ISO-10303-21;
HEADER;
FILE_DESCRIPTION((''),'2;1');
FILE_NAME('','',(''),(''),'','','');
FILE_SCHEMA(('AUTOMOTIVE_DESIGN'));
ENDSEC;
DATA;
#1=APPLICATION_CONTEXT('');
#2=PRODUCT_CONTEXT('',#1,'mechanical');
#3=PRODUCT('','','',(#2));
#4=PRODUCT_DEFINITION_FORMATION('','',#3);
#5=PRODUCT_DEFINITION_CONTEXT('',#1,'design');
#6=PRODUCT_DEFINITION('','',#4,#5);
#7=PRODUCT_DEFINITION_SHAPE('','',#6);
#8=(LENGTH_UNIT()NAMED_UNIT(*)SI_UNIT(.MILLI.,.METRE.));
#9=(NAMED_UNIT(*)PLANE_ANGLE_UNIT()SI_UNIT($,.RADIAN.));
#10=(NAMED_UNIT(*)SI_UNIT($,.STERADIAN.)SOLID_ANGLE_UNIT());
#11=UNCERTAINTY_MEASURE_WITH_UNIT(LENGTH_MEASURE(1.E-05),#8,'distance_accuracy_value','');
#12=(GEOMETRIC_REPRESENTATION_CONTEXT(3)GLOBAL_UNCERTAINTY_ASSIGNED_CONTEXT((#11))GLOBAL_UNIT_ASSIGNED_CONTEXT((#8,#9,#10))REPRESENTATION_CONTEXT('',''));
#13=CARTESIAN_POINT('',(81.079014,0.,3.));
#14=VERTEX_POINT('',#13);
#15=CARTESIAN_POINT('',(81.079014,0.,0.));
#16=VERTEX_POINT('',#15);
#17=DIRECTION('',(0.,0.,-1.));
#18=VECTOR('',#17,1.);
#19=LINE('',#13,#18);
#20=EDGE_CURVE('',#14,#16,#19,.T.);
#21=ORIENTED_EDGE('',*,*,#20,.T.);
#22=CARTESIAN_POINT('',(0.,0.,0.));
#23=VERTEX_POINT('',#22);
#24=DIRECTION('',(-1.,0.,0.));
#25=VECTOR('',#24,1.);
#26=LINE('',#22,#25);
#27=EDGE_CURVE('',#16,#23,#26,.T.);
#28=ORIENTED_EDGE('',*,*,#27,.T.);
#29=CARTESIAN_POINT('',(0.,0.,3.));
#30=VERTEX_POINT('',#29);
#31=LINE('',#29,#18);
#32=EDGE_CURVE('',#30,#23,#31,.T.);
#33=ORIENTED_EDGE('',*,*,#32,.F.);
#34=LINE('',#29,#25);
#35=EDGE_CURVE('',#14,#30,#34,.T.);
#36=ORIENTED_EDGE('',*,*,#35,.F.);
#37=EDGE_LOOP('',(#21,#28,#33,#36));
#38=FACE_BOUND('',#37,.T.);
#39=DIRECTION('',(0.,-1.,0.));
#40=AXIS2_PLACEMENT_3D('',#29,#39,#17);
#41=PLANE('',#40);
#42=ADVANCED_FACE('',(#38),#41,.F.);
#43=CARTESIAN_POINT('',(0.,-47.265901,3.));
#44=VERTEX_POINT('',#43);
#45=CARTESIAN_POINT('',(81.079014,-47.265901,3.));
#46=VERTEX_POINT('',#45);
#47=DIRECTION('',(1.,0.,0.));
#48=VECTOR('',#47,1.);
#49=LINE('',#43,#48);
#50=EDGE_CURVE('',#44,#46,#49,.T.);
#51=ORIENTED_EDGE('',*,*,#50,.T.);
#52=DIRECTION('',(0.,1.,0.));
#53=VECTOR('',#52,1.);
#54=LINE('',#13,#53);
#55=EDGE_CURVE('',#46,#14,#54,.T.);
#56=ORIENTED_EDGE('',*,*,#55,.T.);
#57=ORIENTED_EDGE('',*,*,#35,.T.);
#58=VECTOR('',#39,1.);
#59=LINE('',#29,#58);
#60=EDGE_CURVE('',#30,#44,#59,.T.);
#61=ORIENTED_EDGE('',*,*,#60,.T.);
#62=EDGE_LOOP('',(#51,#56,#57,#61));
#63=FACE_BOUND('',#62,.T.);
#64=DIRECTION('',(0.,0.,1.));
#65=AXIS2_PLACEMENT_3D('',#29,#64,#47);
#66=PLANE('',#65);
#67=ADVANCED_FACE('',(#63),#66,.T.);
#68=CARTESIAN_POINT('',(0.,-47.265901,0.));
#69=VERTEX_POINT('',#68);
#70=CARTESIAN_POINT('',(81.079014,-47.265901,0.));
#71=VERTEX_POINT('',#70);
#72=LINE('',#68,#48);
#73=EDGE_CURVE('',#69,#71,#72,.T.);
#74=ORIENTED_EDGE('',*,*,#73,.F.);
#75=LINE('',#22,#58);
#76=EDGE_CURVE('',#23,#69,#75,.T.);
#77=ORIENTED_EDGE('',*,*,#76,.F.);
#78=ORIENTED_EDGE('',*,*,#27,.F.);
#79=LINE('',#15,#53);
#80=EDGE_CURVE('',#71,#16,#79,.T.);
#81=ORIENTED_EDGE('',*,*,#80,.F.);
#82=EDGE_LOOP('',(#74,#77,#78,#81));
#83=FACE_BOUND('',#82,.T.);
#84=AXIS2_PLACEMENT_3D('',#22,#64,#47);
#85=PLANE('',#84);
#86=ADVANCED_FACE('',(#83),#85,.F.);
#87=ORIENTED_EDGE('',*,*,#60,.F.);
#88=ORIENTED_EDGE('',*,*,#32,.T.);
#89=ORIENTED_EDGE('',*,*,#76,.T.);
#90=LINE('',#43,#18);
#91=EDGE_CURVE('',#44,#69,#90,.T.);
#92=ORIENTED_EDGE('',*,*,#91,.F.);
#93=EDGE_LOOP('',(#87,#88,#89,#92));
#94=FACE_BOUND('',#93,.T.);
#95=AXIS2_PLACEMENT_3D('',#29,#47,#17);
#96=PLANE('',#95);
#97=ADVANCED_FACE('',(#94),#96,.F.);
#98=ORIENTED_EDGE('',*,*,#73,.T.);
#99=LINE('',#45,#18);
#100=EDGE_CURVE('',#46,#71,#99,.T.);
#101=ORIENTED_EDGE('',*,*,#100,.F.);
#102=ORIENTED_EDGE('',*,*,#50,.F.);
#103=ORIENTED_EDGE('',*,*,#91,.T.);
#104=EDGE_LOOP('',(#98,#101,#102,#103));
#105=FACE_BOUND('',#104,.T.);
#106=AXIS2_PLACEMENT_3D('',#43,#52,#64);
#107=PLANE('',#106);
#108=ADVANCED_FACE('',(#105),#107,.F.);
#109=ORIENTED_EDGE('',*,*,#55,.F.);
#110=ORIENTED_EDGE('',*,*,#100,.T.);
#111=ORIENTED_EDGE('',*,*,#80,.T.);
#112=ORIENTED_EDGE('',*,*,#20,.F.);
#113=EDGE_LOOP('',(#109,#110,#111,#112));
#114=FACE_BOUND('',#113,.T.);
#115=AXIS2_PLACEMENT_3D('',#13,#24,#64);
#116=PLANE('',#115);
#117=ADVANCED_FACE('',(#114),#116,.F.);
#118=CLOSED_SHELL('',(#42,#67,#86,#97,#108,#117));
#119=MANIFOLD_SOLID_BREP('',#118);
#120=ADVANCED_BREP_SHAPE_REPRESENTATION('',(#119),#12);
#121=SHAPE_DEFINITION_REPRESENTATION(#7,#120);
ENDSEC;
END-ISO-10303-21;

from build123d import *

# Parameters (mm, degrees)
ESQUISSE1_W        = 81.079013829
ESQUISSE1_H        = 47.265901456
BOSS_EXTRU_1_DEPTH = 3


with BuildPart() as part:
    # Esquisse1 → Boss.-Extru.1 (new body)
    with BuildSketch(Plane.XY):
        with Locations((40.539506915, -23.632950728)):
            Rectangle(ESQUISSE1_W, ESQUISSE1_H)
    extrude(amount=BOSS_EXTRU_1_DEPTH)


solid = part.part
